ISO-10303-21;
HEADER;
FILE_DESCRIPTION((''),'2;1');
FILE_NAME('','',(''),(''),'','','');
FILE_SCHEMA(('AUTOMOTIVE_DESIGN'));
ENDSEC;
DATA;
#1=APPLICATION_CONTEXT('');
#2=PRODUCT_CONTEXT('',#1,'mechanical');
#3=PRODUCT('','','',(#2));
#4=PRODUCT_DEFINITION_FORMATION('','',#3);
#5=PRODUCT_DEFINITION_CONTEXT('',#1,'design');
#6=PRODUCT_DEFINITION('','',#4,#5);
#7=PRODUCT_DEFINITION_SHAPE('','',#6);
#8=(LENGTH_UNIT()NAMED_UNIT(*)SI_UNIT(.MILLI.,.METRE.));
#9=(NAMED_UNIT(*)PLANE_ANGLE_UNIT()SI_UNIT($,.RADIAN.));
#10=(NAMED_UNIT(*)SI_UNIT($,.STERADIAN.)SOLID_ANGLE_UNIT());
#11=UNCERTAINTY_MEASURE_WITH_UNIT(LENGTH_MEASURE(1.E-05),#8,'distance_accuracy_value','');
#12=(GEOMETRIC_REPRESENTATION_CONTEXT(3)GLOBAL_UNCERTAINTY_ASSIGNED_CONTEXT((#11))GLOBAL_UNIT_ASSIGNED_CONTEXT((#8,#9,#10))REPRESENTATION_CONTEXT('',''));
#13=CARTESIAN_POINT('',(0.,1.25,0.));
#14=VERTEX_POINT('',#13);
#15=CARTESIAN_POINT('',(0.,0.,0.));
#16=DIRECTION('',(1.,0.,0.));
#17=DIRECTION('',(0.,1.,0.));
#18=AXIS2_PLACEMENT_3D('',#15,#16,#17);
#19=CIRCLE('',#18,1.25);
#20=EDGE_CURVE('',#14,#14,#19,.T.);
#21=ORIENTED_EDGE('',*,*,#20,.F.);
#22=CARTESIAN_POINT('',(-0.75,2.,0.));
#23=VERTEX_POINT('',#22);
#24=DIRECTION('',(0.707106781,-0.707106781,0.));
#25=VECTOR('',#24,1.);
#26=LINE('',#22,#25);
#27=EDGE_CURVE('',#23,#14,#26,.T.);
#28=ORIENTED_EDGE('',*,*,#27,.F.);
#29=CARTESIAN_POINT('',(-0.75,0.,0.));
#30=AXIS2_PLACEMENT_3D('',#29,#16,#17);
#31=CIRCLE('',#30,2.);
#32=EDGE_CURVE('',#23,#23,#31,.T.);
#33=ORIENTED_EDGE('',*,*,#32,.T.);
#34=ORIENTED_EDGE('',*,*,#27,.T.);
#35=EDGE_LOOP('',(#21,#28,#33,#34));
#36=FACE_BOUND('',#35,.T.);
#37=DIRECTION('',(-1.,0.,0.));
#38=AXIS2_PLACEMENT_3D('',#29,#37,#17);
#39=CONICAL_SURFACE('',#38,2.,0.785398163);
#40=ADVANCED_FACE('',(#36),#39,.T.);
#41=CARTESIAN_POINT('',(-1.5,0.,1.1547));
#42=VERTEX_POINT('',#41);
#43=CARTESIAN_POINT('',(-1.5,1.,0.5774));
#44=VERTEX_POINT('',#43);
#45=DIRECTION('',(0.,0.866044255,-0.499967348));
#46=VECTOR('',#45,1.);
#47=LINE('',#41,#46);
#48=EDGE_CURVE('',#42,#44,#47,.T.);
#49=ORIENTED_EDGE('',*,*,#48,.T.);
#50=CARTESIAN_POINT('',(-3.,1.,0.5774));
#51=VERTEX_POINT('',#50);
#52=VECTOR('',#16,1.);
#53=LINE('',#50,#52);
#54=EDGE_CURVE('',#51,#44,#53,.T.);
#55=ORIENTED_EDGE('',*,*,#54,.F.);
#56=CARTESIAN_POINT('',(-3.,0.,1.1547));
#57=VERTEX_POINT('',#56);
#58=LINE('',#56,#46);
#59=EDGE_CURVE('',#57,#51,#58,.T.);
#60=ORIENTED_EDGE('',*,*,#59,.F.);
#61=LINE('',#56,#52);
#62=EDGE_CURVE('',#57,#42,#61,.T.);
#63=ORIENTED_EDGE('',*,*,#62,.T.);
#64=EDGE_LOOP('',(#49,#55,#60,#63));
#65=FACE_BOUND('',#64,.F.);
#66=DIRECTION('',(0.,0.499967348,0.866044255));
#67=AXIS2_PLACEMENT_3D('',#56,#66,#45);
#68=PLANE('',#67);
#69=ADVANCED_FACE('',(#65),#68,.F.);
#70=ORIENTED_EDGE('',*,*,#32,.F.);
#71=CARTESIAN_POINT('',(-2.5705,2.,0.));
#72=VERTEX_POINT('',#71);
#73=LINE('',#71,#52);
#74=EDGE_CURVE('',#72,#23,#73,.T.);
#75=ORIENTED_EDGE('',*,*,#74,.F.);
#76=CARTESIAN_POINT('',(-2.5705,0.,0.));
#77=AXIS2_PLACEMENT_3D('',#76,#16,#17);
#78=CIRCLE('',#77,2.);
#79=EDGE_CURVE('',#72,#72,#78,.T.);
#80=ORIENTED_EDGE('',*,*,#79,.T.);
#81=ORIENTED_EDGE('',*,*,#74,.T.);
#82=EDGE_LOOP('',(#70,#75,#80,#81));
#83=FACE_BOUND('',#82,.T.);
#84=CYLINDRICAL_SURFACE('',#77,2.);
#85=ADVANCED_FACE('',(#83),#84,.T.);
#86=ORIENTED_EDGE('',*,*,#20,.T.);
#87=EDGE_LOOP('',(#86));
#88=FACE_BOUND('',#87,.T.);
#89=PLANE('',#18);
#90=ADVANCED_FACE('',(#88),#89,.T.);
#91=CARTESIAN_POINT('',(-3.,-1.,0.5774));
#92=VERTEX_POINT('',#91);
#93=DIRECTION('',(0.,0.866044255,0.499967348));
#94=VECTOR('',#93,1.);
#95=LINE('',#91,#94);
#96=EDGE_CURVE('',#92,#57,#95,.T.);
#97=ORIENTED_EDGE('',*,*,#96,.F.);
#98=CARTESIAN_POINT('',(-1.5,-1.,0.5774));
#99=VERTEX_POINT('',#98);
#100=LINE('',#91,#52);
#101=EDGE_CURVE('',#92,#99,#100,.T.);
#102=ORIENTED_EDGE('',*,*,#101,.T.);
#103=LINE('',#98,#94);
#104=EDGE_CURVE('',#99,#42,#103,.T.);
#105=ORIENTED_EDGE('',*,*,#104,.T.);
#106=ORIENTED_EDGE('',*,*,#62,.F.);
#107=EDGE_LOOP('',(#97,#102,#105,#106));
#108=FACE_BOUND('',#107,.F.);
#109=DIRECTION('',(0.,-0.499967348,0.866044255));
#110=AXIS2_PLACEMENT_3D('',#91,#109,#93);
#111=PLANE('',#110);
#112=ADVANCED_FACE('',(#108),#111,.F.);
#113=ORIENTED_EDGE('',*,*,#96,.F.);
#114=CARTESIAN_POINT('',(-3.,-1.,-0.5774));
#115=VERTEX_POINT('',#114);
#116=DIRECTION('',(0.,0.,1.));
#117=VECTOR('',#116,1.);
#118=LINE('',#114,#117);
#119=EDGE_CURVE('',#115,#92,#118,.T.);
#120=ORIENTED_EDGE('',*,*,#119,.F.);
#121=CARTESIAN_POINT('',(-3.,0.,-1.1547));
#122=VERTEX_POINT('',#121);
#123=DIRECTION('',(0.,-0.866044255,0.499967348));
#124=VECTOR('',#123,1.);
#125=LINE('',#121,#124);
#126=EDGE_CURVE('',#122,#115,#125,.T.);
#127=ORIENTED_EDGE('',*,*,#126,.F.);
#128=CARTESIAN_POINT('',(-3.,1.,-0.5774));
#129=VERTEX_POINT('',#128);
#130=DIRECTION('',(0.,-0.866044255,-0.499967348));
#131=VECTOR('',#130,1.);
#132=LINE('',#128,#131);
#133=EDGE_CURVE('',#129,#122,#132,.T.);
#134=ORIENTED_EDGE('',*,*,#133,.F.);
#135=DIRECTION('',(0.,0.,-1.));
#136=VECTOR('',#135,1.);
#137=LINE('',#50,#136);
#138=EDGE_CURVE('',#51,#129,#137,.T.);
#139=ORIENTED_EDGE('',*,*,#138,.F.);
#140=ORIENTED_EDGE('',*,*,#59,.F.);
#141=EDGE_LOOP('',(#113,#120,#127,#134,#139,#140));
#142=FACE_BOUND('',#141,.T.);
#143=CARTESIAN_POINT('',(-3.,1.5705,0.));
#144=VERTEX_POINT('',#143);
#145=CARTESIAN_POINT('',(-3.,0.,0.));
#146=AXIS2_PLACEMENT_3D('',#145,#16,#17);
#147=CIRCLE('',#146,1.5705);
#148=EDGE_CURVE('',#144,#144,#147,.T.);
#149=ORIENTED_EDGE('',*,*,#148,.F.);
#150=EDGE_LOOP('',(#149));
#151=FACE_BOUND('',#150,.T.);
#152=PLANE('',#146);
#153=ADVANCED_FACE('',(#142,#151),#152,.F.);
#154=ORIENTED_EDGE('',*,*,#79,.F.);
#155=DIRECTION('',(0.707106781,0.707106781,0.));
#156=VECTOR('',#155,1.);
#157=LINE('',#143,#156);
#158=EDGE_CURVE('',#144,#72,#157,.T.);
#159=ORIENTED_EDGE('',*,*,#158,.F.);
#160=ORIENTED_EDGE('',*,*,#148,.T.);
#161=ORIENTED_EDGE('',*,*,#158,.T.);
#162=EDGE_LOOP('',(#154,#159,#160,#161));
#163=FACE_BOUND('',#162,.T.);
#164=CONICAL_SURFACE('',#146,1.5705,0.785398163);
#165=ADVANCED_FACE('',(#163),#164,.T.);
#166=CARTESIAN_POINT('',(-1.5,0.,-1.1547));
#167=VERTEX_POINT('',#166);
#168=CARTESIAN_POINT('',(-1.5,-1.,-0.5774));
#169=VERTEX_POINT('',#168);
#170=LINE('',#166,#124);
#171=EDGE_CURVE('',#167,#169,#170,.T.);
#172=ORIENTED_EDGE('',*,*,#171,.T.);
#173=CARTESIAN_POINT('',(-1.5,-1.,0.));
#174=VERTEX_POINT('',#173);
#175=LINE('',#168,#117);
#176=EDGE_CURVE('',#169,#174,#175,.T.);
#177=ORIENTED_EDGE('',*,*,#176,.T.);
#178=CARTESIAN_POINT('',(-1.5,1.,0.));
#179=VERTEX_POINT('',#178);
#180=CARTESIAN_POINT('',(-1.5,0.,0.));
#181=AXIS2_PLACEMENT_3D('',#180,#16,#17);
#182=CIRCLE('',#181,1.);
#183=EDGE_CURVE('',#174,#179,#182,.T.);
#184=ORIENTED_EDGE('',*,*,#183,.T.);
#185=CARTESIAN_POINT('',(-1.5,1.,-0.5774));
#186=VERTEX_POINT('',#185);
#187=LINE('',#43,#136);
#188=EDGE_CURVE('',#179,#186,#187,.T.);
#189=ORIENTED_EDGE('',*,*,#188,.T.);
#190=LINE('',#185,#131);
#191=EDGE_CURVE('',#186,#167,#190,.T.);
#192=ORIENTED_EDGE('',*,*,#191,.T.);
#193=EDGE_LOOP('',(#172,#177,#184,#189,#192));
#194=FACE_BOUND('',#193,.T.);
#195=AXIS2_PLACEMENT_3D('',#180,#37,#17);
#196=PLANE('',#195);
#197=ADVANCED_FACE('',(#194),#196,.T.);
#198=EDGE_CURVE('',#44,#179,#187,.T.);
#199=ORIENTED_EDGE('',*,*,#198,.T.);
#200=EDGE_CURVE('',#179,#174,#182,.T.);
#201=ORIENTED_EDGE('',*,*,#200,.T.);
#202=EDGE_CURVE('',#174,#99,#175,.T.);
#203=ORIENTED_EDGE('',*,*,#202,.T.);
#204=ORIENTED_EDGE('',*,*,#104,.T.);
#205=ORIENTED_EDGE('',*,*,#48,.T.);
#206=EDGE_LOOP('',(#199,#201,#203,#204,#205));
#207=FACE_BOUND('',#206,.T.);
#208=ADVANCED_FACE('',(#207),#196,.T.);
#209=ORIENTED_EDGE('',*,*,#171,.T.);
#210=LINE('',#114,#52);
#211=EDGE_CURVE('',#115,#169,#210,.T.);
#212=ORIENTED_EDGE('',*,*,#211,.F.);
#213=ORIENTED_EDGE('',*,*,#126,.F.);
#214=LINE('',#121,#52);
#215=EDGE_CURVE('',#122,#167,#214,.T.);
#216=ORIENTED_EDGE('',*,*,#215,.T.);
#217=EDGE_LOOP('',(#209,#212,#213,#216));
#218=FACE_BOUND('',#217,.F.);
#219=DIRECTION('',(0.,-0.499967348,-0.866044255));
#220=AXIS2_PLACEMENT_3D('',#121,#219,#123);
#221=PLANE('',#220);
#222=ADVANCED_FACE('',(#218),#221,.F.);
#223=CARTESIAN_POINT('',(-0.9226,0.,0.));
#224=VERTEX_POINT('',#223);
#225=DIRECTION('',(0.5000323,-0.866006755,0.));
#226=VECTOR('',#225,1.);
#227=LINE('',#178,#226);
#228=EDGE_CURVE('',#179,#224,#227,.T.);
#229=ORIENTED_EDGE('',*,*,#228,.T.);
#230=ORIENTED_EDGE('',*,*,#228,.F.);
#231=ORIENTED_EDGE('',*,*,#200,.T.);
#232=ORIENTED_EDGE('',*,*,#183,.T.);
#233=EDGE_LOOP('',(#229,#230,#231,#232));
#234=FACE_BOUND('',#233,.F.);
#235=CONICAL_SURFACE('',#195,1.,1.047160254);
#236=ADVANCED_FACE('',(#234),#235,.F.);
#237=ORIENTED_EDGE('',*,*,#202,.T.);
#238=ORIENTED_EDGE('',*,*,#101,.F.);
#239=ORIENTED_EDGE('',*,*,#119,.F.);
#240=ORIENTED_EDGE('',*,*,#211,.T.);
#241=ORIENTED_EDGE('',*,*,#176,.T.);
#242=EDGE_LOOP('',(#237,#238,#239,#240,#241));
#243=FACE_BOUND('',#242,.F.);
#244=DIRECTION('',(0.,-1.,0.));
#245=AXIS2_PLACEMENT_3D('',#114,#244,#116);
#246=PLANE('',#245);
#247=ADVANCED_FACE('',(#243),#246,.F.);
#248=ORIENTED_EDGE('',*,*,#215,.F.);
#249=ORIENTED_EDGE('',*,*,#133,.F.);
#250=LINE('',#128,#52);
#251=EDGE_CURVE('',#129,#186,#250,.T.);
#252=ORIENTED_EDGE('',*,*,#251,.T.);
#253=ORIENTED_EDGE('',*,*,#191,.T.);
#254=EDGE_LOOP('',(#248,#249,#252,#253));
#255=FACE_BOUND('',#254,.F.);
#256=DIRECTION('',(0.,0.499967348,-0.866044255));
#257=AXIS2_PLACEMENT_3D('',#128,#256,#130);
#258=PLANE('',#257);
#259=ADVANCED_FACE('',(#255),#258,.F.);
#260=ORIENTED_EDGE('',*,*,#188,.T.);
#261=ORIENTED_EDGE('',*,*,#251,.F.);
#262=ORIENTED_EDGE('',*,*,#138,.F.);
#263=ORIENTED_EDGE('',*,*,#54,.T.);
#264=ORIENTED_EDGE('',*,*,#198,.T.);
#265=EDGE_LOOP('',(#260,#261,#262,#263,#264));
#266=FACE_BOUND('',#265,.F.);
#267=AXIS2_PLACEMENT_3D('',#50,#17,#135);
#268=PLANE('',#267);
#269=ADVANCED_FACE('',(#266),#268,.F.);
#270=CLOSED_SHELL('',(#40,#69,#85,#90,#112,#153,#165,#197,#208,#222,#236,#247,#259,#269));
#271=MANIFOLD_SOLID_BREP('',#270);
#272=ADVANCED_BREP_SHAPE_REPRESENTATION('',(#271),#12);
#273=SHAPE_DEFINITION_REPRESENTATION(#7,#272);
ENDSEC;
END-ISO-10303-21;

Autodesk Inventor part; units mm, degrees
sketch "Sketch_1" plane through (0, 0, 0) normal (0, 0, 1) x (1, 0, 0)
  line L0 (0, 0) -> (-3, 0)
  line L1 (-3, 0) -> (-3, 1.5705)
  line L2 (-3, 1.5705) -> (-2.5705, 2)
  line L3 (-2.5705, 2) -> (-0.75, 2)
  line L4 (-0.75, 2) -> (0, 1.25)
  line L5 (0, 1.25) -> (0, 0)
  line L6 (0, 0) -> (-3, 0)
revolve "Revolution1" add sketch "Sketch_1" angle 360 about axis through (0, 0, 0) along (1, 0, 0)
thread "Thread1" size "M4x0.7" class "6g" standard "ISO Metric profile" full length
sketch "Sketch_2" plane through (-3, 0, 0) normal (-1, 0, 0) x (0, 1, 0)
  line L0 (-1, 0.5774) -> (-1, -0.5774)
  line L1 (-1, -0.5774) -> (0, -1.1547)
  line L2 (0, -1.1547) -> (1, -0.5774)
  line L3 (1, -0.5774) -> (1, 0.5774)
  line L4 (1, 0.5774) -> (0, 1.1547)
  line L5 (0, 1.1547) -> (-1, 0.5774)
extrude "Extrusion1" cut sketch "Sketch_2" against normal blind 1.5
sketch "Sketch_3" plane through (0, 0, 0) normal (0, 0, 1) x (1, 0, 0)
  line L0 (-0.9226, 0) -> (-1.5, 0)
  line L1 (-1.5, 0) -> (-1.5, 1)
  line L2 (-1.5, 1) -> (-0.9226, 0)
  line L3 (-0.9226, 0) -> (-1.5, 0)
revolve "Revolution2" cut sketch "Sketch_3" angle 360 about axis through (-0.9226, 0, 0) along (1, 0, 0)
ref_plane "CP_XY" through (0, 0, 0) normal (1, 0, 0) x (0, 0, -1)
ref_plane "CP_YZ" through (0, 0, 0) normal (0, 0, -1) x (0, 1, 0)
ref_plane "CP_ZX" through (0, 0, 0) normal (0, 1, 0) x (1, 0, 0)
properties part number "SET-SCREW4-3"
